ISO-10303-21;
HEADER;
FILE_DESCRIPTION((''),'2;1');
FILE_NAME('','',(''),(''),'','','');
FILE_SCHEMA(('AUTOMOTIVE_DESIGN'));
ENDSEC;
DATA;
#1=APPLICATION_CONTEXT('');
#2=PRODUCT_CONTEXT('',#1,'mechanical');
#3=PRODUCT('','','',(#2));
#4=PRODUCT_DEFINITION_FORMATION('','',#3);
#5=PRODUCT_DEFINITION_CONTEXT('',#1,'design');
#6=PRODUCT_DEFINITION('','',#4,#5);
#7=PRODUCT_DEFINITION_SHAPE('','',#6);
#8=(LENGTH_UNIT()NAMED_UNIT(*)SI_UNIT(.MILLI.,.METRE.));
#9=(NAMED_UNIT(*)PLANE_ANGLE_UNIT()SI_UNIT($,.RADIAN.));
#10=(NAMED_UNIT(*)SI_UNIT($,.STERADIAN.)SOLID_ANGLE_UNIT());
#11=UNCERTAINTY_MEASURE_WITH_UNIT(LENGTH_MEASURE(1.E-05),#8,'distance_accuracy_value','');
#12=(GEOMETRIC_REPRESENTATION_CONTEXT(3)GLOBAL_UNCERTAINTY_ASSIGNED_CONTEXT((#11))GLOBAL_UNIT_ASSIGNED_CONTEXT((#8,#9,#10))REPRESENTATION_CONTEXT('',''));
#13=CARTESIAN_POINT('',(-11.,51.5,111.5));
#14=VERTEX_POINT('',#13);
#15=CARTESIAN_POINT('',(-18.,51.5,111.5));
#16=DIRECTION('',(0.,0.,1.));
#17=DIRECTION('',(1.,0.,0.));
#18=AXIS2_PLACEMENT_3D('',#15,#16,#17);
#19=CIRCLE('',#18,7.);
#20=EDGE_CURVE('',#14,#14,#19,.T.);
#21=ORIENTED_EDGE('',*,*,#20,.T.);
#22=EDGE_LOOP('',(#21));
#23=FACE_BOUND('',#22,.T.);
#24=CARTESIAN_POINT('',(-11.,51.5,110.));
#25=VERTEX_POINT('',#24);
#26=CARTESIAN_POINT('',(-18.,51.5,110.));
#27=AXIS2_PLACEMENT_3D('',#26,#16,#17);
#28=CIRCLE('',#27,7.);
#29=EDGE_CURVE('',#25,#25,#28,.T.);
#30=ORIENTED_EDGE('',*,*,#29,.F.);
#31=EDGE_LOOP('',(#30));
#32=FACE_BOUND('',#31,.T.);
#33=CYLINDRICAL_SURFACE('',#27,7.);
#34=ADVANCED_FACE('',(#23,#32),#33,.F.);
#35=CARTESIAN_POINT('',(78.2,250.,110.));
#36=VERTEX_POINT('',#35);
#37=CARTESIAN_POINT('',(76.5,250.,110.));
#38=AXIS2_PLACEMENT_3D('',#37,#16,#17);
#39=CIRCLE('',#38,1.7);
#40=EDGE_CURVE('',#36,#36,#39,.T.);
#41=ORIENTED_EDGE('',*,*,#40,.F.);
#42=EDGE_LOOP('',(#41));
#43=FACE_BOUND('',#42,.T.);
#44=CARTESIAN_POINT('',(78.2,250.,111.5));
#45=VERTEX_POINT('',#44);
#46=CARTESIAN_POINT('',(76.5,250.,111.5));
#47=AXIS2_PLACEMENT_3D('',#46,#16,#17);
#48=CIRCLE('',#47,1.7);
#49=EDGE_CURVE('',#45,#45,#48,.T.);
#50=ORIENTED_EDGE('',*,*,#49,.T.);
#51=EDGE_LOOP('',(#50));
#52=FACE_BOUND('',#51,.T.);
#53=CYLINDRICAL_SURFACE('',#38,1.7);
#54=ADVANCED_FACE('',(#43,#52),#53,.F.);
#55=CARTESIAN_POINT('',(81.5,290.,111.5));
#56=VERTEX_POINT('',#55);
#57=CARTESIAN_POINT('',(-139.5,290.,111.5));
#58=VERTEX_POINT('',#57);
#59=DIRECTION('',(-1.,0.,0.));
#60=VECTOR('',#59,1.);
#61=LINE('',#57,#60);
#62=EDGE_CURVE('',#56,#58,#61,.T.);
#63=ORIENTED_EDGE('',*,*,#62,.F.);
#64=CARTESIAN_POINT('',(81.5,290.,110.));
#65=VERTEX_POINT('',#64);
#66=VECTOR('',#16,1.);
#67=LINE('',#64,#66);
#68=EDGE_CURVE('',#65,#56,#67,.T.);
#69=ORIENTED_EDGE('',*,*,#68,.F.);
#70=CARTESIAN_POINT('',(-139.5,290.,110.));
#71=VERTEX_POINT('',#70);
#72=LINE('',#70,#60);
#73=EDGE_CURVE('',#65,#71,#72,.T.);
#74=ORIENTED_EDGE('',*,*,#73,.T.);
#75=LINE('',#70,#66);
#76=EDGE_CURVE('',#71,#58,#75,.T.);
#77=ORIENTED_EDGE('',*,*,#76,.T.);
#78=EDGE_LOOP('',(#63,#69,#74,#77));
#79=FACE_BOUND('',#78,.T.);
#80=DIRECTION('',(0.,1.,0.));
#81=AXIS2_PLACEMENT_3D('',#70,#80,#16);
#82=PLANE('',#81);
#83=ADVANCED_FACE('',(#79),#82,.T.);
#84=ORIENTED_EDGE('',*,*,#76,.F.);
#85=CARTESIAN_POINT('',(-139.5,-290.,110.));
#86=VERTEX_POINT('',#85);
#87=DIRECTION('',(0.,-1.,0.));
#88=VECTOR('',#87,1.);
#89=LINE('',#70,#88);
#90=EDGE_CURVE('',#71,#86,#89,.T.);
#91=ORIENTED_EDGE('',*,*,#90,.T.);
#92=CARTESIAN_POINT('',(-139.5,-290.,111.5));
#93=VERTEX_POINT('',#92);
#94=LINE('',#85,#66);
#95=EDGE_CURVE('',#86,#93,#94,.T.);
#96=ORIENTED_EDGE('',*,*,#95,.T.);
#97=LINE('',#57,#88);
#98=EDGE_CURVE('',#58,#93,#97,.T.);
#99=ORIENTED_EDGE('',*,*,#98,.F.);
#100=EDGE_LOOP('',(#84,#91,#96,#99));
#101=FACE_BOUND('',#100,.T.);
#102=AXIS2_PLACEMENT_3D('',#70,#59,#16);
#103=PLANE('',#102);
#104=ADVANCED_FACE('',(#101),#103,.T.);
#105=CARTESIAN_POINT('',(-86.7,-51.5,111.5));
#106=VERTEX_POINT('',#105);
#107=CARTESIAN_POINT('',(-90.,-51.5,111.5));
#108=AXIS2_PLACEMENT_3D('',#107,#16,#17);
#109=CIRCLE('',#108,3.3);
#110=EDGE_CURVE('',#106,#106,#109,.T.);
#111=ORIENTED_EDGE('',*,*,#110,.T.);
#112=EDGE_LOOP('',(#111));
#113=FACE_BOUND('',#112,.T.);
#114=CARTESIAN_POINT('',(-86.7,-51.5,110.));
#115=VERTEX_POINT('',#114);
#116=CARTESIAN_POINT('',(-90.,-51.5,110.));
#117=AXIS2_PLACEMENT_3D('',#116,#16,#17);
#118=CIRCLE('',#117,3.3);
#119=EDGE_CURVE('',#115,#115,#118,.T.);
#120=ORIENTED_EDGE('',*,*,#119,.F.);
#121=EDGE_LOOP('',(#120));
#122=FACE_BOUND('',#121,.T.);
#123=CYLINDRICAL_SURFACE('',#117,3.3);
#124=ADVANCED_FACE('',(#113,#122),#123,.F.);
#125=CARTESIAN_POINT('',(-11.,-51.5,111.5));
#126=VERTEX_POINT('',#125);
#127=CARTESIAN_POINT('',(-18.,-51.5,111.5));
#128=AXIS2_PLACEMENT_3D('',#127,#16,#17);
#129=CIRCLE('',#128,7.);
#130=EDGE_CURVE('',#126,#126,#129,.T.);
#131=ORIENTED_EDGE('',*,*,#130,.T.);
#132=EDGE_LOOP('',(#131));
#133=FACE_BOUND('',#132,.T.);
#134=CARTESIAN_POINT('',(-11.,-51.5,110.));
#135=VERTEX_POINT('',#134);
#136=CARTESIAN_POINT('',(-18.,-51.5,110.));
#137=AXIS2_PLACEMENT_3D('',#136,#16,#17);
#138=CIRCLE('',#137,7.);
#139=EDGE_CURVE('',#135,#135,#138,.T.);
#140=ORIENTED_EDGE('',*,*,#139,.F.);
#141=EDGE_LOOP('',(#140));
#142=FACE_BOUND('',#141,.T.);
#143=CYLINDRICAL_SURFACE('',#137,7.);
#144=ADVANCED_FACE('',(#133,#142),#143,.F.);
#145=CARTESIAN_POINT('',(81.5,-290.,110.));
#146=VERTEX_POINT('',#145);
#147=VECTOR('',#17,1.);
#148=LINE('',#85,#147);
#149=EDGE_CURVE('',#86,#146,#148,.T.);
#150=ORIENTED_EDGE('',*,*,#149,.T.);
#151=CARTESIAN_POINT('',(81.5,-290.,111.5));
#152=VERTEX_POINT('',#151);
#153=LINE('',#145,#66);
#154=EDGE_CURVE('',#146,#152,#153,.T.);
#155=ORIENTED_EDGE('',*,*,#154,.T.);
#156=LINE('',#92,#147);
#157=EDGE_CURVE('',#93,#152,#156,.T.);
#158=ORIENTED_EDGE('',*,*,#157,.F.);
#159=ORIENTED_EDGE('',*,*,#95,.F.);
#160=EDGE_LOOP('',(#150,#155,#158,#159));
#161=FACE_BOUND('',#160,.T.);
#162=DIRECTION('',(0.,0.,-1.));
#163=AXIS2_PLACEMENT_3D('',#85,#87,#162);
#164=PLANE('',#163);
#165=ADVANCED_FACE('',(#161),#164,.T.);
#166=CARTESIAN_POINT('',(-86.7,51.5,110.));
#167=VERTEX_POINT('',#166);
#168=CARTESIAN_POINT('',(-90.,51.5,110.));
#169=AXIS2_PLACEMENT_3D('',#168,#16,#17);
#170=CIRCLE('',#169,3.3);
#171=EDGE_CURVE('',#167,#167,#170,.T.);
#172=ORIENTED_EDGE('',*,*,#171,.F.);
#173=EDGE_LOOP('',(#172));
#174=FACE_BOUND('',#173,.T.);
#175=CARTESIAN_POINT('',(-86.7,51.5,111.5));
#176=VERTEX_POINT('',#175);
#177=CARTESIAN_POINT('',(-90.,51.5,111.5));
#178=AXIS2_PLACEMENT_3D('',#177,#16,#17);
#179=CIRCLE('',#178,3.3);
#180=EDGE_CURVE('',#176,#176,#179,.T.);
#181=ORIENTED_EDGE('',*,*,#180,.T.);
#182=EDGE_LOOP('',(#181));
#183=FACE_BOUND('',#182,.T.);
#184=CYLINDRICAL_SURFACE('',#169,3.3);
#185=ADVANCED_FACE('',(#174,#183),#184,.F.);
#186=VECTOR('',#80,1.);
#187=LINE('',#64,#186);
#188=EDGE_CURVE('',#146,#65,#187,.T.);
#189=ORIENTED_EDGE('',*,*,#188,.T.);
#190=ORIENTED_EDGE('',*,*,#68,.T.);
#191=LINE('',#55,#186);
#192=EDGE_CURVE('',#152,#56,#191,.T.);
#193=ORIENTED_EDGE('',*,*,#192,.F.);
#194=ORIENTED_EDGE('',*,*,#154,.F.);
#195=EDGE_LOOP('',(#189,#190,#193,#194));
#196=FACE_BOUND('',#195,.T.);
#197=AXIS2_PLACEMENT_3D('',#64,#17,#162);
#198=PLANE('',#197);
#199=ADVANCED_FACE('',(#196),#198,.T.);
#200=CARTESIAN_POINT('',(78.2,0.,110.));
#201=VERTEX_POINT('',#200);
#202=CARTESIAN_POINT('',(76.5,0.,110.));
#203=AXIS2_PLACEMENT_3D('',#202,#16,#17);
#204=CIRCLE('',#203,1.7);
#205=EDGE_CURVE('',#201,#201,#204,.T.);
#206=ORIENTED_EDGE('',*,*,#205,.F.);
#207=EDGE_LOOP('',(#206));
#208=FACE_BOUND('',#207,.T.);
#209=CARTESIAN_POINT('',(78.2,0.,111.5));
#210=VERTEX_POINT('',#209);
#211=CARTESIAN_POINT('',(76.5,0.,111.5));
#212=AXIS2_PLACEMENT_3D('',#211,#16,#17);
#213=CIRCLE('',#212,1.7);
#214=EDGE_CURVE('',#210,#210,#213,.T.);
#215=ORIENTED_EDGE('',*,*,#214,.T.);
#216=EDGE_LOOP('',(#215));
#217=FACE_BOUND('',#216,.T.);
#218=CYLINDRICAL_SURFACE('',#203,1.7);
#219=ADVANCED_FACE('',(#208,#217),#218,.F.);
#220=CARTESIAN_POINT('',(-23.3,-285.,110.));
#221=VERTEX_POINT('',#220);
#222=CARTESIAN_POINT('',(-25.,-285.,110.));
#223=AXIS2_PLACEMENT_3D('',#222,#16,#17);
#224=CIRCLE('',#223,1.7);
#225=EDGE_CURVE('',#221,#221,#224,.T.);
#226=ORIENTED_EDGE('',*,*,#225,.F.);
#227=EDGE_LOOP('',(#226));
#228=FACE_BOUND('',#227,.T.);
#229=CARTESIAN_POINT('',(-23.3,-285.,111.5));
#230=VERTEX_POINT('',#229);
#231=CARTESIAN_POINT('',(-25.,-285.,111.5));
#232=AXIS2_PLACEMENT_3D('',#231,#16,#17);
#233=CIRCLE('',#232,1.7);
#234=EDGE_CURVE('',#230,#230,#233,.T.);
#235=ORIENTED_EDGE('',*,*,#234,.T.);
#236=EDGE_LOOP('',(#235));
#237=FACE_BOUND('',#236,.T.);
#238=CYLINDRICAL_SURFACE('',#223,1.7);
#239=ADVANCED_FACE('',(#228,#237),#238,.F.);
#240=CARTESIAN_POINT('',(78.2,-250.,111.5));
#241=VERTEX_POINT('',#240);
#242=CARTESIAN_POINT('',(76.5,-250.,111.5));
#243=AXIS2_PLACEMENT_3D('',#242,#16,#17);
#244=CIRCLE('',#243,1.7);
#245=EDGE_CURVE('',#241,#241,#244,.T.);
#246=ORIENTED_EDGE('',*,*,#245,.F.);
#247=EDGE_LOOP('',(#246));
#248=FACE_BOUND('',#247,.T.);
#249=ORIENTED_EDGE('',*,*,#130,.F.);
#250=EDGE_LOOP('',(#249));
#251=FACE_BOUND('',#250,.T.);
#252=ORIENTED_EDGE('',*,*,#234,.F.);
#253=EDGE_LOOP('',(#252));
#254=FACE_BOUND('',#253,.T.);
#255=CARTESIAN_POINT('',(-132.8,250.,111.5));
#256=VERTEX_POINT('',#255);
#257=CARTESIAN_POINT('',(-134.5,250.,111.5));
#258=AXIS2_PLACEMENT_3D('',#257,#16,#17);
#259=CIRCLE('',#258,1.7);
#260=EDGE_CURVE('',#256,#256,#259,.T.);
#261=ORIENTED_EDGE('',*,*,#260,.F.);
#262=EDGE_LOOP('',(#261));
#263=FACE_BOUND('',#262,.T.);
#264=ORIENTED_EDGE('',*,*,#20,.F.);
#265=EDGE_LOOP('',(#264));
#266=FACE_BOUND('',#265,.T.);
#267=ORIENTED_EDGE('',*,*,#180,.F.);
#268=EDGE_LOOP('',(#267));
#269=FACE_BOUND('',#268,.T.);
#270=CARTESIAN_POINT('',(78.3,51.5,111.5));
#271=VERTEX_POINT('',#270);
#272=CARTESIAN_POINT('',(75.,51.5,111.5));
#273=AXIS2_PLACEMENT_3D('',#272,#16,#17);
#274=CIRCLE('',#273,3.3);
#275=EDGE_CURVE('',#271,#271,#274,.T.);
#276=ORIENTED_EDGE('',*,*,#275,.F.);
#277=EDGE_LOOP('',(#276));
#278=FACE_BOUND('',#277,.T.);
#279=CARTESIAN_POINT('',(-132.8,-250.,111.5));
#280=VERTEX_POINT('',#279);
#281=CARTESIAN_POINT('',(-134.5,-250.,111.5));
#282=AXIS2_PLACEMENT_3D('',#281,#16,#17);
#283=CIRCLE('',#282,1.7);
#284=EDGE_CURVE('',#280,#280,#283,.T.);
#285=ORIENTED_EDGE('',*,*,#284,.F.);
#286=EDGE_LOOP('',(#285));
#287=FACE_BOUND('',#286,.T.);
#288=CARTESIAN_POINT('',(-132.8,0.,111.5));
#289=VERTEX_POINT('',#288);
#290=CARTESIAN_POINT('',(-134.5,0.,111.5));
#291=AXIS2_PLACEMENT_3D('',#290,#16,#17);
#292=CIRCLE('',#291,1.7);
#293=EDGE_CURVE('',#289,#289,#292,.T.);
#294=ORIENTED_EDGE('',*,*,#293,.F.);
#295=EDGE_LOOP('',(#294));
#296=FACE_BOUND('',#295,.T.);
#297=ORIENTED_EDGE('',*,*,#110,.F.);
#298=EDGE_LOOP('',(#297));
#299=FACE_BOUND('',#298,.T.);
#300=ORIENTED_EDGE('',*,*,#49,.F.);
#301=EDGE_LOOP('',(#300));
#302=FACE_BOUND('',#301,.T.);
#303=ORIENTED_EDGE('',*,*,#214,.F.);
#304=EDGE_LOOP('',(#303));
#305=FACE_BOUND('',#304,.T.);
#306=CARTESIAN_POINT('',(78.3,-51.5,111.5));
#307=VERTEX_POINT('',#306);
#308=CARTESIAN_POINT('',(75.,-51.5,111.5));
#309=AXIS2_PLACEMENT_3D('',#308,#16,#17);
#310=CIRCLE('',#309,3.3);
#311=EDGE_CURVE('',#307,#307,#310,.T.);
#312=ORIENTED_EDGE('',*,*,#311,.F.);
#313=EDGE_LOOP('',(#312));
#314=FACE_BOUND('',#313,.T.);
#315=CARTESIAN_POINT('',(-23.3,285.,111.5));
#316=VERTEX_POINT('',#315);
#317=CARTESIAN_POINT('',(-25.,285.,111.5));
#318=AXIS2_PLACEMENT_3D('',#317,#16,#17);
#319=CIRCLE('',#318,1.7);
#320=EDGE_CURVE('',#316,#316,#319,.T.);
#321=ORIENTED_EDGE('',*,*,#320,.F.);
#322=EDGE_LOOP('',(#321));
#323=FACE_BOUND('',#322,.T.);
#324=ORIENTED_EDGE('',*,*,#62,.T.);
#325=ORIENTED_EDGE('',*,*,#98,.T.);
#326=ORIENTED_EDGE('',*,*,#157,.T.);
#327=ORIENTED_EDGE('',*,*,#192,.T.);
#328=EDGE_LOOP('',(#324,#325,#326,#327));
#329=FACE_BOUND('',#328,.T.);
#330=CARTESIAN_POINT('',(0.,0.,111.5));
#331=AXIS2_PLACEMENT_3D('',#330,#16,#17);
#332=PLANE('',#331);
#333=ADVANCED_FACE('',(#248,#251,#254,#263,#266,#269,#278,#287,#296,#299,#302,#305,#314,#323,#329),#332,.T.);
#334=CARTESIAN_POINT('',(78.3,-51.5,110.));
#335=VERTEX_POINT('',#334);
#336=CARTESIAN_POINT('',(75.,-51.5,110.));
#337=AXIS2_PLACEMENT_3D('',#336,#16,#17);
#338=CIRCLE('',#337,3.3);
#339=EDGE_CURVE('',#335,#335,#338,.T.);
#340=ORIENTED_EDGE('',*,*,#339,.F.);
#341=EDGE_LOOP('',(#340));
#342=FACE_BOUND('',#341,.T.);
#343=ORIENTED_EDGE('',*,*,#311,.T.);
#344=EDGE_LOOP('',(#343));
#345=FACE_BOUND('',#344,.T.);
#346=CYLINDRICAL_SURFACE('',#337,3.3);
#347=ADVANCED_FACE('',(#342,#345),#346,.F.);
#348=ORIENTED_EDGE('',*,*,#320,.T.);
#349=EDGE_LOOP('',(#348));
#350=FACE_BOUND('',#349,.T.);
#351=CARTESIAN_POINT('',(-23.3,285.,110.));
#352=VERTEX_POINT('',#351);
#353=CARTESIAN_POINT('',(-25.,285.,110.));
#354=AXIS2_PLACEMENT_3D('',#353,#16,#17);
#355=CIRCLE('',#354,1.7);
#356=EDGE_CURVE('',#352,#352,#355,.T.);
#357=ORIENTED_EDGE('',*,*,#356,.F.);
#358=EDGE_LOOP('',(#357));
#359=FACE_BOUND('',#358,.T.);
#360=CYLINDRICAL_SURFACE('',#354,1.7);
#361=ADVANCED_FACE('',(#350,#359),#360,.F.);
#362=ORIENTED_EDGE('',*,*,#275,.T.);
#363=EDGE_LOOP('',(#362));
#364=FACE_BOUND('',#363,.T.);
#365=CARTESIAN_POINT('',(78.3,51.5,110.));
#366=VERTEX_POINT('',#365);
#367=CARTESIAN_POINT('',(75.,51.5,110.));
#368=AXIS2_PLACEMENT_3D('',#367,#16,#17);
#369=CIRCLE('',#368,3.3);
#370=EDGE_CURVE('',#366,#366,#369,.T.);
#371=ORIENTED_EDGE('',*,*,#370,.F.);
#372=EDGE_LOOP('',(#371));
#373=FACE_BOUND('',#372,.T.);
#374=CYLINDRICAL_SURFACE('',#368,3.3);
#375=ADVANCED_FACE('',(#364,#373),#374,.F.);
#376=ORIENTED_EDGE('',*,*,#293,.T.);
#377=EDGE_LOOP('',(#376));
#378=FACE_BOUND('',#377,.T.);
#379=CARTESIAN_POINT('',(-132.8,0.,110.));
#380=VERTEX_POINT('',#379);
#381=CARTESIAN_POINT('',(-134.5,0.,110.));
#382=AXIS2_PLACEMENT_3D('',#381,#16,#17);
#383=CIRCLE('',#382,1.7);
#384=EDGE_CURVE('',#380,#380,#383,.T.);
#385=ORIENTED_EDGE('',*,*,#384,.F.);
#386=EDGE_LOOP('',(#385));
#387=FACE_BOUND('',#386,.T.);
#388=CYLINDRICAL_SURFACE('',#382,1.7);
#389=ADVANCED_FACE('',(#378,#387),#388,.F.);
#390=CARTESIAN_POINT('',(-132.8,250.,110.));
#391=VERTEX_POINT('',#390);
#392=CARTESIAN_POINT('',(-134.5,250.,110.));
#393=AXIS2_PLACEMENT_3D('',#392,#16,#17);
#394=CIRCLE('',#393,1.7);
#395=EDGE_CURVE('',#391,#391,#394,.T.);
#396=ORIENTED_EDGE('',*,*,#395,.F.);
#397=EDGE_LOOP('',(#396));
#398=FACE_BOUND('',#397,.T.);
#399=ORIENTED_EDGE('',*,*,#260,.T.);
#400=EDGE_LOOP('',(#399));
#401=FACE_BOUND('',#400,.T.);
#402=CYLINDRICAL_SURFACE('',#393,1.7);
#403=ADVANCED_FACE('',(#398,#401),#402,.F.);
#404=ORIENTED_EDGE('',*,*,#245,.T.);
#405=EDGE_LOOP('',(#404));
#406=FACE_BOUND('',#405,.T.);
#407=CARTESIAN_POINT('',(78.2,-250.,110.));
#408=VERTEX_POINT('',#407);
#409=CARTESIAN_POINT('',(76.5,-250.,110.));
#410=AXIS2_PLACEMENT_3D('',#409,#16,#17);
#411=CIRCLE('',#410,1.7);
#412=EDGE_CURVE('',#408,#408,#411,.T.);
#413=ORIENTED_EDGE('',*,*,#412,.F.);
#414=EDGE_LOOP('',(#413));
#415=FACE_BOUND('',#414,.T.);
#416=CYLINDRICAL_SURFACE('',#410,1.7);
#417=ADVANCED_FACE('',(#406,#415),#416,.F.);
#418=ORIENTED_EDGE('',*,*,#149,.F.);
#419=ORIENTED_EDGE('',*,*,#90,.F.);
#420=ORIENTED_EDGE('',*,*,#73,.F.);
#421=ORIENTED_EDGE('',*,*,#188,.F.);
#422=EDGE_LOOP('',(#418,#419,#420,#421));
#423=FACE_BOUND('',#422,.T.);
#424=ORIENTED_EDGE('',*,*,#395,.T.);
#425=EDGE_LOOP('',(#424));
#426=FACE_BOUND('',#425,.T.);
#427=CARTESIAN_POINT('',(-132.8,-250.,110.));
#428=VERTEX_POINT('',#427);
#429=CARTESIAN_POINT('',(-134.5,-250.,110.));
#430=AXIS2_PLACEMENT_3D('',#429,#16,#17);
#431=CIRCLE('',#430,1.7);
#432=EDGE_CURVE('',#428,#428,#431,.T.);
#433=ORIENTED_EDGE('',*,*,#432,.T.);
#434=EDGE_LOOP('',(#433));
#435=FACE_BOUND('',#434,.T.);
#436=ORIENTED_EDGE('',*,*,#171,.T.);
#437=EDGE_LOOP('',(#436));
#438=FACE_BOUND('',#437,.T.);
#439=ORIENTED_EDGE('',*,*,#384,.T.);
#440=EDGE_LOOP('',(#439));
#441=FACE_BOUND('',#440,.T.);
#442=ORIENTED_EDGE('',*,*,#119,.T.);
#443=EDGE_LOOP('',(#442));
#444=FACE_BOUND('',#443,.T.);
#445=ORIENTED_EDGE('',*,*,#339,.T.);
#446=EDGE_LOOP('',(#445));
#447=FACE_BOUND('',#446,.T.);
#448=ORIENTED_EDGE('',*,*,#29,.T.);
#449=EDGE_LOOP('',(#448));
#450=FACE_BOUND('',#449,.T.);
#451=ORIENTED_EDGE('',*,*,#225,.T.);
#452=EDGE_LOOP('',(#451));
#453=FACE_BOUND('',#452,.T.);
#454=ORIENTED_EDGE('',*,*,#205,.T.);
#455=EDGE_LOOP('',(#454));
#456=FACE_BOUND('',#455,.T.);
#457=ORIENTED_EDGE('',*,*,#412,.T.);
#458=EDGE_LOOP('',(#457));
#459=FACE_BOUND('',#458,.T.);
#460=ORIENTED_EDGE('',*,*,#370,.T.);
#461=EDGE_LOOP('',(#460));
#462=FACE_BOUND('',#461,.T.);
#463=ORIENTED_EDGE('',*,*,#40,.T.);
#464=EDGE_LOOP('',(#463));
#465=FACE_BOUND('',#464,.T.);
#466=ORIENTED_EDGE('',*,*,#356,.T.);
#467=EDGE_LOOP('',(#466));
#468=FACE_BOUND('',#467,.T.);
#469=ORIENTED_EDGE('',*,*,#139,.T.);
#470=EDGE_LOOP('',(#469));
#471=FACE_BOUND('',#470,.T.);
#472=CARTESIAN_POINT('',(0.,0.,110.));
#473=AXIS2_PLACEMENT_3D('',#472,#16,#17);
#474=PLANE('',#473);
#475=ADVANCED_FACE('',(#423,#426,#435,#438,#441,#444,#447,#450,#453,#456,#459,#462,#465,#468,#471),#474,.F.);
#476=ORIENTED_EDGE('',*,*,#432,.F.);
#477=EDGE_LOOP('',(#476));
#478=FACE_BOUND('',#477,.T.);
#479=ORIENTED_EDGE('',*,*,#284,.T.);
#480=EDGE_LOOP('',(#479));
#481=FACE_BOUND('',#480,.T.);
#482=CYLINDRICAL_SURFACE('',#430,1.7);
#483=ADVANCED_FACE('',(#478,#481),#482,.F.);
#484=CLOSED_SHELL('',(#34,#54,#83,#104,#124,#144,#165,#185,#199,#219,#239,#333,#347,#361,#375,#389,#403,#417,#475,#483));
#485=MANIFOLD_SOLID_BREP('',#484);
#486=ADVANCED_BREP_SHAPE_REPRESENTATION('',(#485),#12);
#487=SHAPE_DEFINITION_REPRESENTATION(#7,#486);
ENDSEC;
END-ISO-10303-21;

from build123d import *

# Parameters (mm, degrees)
MAIN_PROFILE_SKETCH_W   = 221
MAIN_PROFILE_SKETCH_H   = 580
MAIN_PROFILE_SKETCH_R   = 1.7
MAIN_PROFILE_SKETCH_R_2 = 3.3
MAIN_PROFILE_SKETCH_R_3 = 7
MAIN_EXTRUSION_DEPTH    = 1.5


with BuildPart() as part:
    # Main Profile Sketch → Main Extrusion (new body)
    with BuildSketch(Plane.XY.offset(111.5)):
        with Locations((-29, 0)):
            Rectangle(MAIN_PROFILE_SKETCH_W, MAIN_PROFILE_SKETCH_H)
        with Locations((-134.5, -250)):
            Circle(MAIN_PROFILE_SKETCH_R, mode=Mode.SUBTRACT)
        with Locations((-90, -51.5)):
            Circle(MAIN_PROFILE_SKETCH_R_2, mode=Mode.SUBTRACT)
        with Locations((-25, -285)):
            Circle(MAIN_PROFILE_SKETCH_R, mode=Mode.SUBTRACT)
        with Locations((76.5, -250)):
            Circle(MAIN_PROFILE_SKETCH_R, mode=Mode.SUBTRACT)
        with Locations((-18, -51.5)):
            Circle(MAIN_PROFILE_SKETCH_R_3, mode=Mode.SUBTRACT)
        with Locations((75, -51.5)):
            Circle(MAIN_PROFILE_SKETCH_R_2, mode=Mode.SUBTRACT)
        with Locations((-134.5, 0)):
            Circle(MAIN_PROFILE_SKETCH_R, mode=Mode.SUBTRACT)
        with Locations((-90, 51.5)):
            Circle(MAIN_PROFILE_SKETCH_R_2, mode=Mode.SUBTRACT)
        with Locations((-134.5, 250)):
            Circle(MAIN_PROFILE_SKETCH_R, mode=Mode.SUBTRACT)
        with Locations((-18, 51.5)):
            Circle(MAIN_PROFILE_SKETCH_R_3, mode=Mode.SUBTRACT)
        with Locations((76.5, 0)):
            Circle(MAIN_PROFILE_SKETCH_R, mode=Mode.SUBTRACT)
        with Locations((75, 51.5)):
            Circle(MAIN_PROFILE_SKETCH_R_2, mode=Mode.SUBTRACT)
        with Locations((-25, 285)):
            Circle(MAIN_PROFILE_SKETCH_R, mode=Mode.SUBTRACT)
        with Locations((76.5, 250)):
            Circle(MAIN_PROFILE_SKETCH_R, mode=Mode.SUBTRACT)
    extrude(amount=-MAIN_EXTRUSION_DEPTH)


solid = part.part
